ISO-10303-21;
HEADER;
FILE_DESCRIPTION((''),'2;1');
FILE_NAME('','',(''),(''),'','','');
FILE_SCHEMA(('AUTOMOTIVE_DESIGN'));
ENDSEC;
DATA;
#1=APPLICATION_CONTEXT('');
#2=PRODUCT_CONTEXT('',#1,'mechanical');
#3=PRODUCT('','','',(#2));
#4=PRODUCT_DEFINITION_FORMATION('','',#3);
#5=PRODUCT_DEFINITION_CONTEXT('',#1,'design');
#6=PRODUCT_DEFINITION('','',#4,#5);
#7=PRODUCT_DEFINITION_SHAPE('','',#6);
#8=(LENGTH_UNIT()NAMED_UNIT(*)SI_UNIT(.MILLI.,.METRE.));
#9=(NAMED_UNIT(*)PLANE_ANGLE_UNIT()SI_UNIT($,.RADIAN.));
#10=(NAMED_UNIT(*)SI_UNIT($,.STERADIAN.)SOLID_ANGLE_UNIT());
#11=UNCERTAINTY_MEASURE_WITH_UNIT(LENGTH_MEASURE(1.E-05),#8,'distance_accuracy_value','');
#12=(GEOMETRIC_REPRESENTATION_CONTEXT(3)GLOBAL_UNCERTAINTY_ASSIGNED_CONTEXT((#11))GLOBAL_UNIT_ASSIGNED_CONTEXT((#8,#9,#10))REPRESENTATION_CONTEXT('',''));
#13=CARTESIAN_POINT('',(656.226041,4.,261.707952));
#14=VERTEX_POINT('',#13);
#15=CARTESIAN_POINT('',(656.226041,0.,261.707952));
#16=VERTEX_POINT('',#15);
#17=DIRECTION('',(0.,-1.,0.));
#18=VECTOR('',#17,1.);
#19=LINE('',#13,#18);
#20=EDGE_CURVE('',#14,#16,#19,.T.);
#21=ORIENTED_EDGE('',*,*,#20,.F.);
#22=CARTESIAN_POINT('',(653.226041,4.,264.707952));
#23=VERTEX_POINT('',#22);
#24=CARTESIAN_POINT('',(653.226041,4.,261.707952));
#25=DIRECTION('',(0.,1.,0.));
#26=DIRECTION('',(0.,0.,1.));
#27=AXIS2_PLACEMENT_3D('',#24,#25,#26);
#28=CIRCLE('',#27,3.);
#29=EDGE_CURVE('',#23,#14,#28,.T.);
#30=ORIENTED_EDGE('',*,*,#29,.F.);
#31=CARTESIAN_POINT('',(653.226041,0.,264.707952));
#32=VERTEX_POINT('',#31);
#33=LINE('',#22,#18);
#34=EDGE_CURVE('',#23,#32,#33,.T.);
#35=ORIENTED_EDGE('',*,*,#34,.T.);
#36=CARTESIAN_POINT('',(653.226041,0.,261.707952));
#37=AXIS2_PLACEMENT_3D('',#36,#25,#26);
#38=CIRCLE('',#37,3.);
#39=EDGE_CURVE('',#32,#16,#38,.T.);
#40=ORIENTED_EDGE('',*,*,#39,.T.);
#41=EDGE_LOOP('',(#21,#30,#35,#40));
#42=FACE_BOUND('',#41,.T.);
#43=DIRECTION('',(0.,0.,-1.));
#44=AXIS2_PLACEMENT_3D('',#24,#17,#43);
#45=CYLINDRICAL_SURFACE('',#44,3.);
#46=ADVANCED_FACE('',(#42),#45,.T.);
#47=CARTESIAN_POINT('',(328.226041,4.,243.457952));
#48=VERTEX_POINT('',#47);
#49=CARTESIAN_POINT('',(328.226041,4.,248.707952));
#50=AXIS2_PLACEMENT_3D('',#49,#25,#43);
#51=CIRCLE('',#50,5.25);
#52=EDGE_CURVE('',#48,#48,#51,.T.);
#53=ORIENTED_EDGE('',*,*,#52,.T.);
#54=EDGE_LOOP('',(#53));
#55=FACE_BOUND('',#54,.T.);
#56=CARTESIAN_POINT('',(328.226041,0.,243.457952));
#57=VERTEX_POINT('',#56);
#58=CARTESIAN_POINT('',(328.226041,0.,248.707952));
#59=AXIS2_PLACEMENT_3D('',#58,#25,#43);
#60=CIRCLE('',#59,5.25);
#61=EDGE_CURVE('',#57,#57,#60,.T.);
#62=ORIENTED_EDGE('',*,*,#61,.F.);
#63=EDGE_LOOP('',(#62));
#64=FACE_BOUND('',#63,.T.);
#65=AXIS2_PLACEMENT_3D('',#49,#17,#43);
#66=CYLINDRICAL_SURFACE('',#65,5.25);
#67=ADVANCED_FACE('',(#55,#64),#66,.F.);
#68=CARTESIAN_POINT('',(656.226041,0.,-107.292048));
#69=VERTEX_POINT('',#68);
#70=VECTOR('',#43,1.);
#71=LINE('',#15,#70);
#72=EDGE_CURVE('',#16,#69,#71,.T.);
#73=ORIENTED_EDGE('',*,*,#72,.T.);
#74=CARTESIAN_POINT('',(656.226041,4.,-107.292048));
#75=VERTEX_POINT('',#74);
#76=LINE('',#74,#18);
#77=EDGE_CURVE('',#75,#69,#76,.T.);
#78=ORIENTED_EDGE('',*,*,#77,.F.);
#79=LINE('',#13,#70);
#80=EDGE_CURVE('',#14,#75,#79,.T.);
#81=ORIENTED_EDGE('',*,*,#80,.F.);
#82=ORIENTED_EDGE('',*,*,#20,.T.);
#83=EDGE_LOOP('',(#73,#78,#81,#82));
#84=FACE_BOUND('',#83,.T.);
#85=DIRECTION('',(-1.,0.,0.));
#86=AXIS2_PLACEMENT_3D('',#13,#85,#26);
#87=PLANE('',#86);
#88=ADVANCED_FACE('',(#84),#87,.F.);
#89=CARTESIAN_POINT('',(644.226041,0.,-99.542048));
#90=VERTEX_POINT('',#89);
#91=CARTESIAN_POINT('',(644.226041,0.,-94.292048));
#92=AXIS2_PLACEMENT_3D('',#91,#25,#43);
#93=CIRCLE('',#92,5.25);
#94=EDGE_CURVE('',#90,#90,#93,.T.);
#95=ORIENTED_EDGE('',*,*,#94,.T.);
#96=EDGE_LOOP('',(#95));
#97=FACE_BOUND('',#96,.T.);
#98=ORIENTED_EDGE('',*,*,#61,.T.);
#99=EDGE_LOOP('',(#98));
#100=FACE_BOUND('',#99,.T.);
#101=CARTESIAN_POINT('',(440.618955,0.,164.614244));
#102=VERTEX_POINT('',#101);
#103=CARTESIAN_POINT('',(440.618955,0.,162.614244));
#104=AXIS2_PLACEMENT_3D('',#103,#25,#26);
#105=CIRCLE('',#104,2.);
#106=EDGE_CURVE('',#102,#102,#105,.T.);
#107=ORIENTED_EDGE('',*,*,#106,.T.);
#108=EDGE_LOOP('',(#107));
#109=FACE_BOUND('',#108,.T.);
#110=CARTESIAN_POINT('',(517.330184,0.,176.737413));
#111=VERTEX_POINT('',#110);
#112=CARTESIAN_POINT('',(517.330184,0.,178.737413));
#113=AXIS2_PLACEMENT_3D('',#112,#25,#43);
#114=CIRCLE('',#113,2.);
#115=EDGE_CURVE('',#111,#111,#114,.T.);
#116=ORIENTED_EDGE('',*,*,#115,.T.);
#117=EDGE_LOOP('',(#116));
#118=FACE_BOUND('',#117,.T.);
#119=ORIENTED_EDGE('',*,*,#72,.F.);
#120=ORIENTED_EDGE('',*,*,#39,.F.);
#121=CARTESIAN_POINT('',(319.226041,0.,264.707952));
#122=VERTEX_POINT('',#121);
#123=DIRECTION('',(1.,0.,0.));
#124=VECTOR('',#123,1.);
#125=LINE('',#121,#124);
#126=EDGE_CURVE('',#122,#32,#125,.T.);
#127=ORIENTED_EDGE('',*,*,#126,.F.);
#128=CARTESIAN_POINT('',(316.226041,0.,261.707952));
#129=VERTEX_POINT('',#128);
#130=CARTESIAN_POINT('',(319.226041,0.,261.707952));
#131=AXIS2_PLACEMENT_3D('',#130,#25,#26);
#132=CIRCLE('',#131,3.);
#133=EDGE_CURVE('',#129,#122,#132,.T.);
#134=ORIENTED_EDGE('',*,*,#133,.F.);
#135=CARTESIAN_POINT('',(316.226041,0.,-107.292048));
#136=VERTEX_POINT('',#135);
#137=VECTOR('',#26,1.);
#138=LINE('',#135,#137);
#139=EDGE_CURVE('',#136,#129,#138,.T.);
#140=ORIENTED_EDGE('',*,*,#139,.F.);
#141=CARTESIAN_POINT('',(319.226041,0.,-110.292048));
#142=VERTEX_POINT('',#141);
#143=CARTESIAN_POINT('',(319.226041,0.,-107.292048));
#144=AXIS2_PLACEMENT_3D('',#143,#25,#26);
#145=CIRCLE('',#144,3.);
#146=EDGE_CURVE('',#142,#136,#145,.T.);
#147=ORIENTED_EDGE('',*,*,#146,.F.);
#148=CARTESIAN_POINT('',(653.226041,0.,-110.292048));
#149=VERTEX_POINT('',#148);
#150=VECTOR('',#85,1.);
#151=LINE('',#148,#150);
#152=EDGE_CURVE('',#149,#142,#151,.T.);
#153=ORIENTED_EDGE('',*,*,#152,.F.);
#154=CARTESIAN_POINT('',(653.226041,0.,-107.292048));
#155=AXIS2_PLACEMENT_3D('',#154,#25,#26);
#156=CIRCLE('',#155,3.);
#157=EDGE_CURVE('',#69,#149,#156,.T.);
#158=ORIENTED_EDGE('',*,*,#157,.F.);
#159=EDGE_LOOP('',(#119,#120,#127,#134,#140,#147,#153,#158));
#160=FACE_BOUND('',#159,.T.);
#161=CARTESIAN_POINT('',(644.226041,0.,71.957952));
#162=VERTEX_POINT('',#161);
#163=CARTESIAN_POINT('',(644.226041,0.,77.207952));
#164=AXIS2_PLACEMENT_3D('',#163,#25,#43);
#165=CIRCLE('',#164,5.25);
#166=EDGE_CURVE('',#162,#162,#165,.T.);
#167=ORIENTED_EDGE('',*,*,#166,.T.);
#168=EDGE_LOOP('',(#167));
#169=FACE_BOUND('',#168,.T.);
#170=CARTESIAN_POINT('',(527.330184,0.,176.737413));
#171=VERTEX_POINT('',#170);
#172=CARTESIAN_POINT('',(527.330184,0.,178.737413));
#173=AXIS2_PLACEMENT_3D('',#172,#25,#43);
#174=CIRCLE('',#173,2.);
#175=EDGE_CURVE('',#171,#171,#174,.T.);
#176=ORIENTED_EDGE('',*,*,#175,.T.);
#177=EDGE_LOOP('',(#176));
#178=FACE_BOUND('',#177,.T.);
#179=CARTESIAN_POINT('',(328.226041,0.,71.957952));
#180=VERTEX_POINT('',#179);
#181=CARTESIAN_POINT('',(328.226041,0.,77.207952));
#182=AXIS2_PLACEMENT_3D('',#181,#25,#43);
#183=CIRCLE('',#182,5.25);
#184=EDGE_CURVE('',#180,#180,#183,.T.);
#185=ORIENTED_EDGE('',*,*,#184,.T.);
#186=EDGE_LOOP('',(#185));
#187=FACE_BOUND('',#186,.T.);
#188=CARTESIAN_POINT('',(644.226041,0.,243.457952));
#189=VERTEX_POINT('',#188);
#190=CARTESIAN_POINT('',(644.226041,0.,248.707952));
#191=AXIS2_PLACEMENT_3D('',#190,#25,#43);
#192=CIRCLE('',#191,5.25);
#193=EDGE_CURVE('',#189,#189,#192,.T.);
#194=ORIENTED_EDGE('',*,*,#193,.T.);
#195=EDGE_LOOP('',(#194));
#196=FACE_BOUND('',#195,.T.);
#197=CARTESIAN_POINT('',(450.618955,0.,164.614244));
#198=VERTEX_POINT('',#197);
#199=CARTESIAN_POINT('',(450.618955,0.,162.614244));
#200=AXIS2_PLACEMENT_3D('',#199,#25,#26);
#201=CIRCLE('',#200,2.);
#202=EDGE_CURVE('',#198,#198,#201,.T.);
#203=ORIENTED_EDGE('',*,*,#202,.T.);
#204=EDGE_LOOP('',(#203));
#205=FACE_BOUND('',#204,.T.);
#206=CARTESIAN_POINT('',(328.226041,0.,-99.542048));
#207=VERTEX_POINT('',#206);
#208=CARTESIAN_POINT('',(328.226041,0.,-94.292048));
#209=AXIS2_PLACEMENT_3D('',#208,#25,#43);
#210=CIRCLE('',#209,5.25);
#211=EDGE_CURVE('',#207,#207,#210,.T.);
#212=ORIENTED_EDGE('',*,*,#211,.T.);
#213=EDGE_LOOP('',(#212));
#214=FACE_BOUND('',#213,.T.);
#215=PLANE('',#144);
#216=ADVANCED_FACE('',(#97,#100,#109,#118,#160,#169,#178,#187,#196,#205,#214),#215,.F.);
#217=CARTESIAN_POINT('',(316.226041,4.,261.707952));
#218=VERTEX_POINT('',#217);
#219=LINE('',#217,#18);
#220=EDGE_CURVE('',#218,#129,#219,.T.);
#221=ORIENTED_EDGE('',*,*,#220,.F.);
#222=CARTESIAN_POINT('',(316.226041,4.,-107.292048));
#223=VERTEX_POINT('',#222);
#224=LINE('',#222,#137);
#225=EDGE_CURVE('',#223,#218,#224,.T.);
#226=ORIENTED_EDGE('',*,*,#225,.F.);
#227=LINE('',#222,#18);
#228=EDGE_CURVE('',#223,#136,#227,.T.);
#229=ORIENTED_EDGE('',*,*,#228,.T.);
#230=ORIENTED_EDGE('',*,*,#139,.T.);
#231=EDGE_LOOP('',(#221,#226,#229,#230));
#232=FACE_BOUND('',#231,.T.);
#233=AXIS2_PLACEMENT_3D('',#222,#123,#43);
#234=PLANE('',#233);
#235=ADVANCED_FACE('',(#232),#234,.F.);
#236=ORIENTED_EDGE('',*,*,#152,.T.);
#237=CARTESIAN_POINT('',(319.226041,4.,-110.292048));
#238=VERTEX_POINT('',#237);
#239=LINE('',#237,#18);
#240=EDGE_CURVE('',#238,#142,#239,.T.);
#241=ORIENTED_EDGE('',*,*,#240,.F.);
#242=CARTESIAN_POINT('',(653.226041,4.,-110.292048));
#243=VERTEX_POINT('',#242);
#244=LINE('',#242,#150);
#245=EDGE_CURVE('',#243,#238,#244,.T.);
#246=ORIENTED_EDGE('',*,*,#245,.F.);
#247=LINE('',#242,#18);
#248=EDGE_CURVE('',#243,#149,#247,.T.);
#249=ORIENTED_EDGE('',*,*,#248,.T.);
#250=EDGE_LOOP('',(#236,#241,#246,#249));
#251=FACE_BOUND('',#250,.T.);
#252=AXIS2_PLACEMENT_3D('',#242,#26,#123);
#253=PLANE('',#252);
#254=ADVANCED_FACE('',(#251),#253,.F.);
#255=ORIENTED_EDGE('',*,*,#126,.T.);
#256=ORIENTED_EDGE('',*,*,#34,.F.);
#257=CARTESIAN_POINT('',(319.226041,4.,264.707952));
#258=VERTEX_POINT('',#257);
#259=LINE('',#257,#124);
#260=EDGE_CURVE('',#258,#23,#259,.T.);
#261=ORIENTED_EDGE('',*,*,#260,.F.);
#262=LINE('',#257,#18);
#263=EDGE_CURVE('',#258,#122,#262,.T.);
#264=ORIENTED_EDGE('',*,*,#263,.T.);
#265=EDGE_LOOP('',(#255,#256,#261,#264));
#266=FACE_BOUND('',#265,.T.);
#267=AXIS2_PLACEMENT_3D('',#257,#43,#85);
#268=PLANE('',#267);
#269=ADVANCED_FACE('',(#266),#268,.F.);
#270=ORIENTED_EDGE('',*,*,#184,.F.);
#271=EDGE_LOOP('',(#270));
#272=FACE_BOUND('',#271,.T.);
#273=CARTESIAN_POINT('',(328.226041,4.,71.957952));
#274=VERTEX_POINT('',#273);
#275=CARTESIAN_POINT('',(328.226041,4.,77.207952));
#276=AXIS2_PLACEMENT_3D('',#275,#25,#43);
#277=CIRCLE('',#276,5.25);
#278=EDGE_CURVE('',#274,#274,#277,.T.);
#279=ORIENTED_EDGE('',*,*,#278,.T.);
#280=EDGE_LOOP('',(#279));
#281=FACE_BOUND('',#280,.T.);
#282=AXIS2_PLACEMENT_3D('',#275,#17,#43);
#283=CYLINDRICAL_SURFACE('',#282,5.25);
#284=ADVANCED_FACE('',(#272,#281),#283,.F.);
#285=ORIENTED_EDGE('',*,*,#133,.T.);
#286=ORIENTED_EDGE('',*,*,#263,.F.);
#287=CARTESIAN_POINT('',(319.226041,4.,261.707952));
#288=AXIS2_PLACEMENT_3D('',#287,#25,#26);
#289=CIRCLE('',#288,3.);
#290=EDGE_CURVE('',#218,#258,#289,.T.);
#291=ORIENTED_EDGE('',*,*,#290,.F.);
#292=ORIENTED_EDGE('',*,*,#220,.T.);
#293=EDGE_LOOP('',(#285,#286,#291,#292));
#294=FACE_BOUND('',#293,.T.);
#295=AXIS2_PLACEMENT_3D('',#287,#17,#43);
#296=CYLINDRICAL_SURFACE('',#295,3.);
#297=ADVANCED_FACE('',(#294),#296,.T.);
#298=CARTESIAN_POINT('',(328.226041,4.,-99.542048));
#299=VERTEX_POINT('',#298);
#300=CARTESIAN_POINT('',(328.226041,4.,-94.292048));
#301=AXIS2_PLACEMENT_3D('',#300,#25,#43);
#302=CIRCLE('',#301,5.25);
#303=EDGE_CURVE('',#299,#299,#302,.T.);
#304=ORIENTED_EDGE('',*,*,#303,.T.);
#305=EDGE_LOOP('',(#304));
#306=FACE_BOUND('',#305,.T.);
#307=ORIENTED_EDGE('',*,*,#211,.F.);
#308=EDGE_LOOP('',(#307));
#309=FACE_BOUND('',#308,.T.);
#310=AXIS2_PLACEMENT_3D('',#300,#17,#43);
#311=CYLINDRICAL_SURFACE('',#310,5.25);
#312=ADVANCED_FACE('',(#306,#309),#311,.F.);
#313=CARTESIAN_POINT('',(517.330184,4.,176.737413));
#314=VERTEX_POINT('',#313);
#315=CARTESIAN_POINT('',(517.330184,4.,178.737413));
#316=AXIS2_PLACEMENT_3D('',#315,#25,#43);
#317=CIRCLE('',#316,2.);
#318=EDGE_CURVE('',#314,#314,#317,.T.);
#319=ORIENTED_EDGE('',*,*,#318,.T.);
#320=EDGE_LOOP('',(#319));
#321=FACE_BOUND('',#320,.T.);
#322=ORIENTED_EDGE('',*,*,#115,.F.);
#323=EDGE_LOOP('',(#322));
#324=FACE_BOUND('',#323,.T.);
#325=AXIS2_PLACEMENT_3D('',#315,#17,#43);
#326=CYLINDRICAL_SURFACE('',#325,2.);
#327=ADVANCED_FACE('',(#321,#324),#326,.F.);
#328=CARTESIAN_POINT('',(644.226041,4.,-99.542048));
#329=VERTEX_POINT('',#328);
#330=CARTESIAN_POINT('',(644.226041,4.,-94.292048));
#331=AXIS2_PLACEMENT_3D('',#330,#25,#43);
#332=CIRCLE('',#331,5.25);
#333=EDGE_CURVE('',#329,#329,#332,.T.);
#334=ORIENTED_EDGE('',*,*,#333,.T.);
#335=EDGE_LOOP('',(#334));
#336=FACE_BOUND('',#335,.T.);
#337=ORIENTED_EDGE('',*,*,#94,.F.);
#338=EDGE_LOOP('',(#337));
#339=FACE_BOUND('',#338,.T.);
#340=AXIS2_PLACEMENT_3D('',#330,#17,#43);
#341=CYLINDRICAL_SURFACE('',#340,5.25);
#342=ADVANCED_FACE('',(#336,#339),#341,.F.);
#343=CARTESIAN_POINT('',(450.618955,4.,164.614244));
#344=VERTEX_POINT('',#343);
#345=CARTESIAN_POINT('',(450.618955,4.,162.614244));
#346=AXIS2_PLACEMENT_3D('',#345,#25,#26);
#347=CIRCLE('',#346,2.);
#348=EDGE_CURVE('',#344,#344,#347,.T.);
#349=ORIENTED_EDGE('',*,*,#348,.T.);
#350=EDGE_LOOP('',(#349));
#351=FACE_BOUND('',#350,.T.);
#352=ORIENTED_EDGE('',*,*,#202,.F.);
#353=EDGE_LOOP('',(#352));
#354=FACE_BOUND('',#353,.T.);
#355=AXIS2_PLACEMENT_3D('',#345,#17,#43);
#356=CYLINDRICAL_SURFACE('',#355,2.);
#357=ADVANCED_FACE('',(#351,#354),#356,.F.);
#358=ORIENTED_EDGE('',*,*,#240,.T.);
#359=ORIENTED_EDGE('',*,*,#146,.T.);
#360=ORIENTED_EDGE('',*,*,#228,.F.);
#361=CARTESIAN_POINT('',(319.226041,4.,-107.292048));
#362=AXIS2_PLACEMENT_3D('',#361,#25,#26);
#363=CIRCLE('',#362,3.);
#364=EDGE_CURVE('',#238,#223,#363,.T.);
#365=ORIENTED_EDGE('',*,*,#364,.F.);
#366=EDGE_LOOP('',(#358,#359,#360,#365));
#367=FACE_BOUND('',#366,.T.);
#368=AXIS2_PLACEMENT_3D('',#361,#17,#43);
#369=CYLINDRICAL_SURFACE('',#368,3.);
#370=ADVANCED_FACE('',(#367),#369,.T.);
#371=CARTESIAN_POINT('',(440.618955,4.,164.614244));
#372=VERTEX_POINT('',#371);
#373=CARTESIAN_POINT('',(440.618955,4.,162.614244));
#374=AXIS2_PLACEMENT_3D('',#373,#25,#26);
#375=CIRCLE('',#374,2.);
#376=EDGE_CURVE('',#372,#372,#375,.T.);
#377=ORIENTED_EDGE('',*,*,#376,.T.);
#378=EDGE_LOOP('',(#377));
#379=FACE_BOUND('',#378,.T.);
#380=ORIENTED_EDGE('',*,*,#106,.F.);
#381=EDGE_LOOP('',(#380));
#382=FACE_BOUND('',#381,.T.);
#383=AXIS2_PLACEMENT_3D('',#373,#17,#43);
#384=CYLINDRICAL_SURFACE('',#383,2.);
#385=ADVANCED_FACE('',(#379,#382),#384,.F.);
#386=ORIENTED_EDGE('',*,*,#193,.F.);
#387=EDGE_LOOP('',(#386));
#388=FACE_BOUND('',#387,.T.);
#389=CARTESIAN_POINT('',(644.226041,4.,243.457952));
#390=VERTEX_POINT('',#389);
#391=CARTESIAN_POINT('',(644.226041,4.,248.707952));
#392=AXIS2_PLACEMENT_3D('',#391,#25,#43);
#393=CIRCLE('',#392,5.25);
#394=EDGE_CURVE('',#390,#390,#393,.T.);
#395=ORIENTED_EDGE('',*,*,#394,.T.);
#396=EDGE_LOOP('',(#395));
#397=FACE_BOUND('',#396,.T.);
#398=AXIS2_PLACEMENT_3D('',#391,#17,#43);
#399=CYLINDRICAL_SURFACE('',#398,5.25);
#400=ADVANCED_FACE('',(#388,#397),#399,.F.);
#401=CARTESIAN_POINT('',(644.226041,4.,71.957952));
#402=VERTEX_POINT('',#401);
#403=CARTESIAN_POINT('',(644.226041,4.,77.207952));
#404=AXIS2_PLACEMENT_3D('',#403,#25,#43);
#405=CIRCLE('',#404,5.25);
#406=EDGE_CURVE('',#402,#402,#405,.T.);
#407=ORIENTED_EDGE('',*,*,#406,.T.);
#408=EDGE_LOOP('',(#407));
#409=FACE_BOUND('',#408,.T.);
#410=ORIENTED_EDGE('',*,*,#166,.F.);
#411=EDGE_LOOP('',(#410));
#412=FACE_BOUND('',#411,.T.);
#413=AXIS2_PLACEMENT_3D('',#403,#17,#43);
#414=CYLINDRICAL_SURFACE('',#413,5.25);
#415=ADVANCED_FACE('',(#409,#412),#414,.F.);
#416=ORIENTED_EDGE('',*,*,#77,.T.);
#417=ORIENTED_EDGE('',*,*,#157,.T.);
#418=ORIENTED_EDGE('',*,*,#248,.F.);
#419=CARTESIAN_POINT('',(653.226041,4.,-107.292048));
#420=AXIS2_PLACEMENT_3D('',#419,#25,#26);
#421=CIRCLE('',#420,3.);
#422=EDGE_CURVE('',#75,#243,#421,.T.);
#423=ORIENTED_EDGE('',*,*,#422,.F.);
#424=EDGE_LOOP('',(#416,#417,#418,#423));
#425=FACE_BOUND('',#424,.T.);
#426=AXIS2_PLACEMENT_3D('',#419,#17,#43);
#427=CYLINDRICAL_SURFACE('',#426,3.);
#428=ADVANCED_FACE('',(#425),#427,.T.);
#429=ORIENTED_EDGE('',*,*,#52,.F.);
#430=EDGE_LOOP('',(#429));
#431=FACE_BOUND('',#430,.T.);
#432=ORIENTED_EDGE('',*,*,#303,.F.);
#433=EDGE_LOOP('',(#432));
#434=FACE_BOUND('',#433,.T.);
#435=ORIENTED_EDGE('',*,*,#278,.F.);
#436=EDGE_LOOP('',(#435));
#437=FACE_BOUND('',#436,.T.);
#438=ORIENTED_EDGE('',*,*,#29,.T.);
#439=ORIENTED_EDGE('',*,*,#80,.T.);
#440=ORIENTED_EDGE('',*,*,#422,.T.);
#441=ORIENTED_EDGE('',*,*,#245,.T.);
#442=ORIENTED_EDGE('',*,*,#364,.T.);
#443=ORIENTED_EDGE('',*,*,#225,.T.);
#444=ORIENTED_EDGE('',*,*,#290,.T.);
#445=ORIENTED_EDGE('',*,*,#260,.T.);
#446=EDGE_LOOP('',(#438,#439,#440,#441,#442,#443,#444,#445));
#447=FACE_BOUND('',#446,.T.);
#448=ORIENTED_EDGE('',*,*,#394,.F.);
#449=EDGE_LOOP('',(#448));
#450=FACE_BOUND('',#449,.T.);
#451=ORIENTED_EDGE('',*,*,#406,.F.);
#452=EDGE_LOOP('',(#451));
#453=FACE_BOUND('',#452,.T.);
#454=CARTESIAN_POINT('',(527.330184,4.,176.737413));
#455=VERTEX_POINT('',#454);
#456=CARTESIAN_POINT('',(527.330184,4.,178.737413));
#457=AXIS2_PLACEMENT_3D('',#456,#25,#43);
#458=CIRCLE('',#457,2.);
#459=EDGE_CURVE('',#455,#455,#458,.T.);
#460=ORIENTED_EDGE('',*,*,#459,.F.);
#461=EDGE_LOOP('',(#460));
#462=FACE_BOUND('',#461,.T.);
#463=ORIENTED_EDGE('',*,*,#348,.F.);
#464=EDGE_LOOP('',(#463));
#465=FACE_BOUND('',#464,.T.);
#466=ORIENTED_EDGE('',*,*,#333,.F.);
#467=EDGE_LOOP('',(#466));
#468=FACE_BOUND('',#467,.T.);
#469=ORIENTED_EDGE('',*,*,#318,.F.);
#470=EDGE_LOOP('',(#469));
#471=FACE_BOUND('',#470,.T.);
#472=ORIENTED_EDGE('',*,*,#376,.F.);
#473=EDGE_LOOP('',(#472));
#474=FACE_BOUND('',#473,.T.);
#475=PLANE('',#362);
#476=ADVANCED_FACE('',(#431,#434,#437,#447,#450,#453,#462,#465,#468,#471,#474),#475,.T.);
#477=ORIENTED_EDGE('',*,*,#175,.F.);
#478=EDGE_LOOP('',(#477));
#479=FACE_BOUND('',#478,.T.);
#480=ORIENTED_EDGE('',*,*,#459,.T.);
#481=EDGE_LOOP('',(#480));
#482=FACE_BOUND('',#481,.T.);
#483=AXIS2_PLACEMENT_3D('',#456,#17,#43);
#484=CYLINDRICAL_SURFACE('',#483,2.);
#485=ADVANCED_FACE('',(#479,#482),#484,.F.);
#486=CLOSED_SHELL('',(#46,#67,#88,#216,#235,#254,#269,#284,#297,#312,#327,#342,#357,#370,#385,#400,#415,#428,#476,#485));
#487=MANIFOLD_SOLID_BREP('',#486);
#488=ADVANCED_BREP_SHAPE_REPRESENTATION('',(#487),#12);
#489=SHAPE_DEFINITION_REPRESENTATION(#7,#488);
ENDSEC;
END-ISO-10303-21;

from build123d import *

# Parameters (mm, degrees)
SKETCH1_R           = 2
SKETCH1_R_2         = 5.25
BOSS_EXTRUDE1_DEPTH = 4


with BuildPart() as part:
    # Sketch1 → Boss-Extrude1 (new body)
    with BuildSketch(Plane(origin=(0, 0, 0), x_dir=(1, 0, 0), z_dir=(0, 1, 0))):
        with BuildLine():
            Line((316.226041149, 107.292047617), (316.226041149, -261.707952383))
            ThreePointArc((316.226041149, -261.707952383), (317.104720805, -263.829272726), (319.226041149, -264.707952383))
            Line((319.226041149, -264.707952383), (653.226041149, -264.707952383))
            ThreePointArc((653.226041149, -264.707952383), (655.347361492, -263.829272726), (656.226041149, -261.707952383))
            Line((656.226041149, -261.707952383), (656.226041149, 107.292047617))
            ThreePointArc((656.226041149, 107.292047617), (655.347361492, 109.413367961), (653.226041149, 110.292047617))
            Line((653.226041149, 110.292047617), (319.226041149, 110.292047617))
            ThreePointArc((319.226041149, 110.292047617), (317.104720805, 109.413367961), (316.226041149, 107.292047617))
        make_face()
        with Locations((450.618955235, -162.614244131)):
            Circle(SKETCH1_R, mode=Mode.SUBTRACT)
        with Locations((440.618955235, -162.614244131)):
            Circle(SKETCH1_R, mode=Mode.SUBTRACT)
        with Locations((517.330184073, -178.73741306)):
            Circle(SKETCH1_R, mode=Mode.SUBTRACT)
        with Locations((644.226041149, -77.207952383)):
            Circle(SKETCH1_R_2, mode=Mode.SUBTRACT)
        with Locations((328.226041149, -77.207952383)):
            Circle(SKETCH1_R_2, mode=Mode.SUBTRACT)
        with Locations((644.226041149, 94.292047617)):
            Circle(SKETCH1_R_2, mode=Mode.SUBTRACT)
        with Locations((328.226041149, 94.292047617)):
            Circle(SKETCH1_R_2, mode=Mode.SUBTRACT)
        with Locations((328.226041149, -248.707952383)):
            Circle(SKETCH1_R_2, mode=Mode.SUBTRACT)
        with Locations((644.226041149, -248.707952383)):
            Circle(SKETCH1_R_2, mode=Mode.SUBTRACT)
        with Locations((527.330184073, -178.73741306)):
            Circle(SKETCH1_R, mode=Mode.SUBTRACT)
    extrude(amount=BOSS_EXTRUDE1_DEPTH)


solid = part.part
